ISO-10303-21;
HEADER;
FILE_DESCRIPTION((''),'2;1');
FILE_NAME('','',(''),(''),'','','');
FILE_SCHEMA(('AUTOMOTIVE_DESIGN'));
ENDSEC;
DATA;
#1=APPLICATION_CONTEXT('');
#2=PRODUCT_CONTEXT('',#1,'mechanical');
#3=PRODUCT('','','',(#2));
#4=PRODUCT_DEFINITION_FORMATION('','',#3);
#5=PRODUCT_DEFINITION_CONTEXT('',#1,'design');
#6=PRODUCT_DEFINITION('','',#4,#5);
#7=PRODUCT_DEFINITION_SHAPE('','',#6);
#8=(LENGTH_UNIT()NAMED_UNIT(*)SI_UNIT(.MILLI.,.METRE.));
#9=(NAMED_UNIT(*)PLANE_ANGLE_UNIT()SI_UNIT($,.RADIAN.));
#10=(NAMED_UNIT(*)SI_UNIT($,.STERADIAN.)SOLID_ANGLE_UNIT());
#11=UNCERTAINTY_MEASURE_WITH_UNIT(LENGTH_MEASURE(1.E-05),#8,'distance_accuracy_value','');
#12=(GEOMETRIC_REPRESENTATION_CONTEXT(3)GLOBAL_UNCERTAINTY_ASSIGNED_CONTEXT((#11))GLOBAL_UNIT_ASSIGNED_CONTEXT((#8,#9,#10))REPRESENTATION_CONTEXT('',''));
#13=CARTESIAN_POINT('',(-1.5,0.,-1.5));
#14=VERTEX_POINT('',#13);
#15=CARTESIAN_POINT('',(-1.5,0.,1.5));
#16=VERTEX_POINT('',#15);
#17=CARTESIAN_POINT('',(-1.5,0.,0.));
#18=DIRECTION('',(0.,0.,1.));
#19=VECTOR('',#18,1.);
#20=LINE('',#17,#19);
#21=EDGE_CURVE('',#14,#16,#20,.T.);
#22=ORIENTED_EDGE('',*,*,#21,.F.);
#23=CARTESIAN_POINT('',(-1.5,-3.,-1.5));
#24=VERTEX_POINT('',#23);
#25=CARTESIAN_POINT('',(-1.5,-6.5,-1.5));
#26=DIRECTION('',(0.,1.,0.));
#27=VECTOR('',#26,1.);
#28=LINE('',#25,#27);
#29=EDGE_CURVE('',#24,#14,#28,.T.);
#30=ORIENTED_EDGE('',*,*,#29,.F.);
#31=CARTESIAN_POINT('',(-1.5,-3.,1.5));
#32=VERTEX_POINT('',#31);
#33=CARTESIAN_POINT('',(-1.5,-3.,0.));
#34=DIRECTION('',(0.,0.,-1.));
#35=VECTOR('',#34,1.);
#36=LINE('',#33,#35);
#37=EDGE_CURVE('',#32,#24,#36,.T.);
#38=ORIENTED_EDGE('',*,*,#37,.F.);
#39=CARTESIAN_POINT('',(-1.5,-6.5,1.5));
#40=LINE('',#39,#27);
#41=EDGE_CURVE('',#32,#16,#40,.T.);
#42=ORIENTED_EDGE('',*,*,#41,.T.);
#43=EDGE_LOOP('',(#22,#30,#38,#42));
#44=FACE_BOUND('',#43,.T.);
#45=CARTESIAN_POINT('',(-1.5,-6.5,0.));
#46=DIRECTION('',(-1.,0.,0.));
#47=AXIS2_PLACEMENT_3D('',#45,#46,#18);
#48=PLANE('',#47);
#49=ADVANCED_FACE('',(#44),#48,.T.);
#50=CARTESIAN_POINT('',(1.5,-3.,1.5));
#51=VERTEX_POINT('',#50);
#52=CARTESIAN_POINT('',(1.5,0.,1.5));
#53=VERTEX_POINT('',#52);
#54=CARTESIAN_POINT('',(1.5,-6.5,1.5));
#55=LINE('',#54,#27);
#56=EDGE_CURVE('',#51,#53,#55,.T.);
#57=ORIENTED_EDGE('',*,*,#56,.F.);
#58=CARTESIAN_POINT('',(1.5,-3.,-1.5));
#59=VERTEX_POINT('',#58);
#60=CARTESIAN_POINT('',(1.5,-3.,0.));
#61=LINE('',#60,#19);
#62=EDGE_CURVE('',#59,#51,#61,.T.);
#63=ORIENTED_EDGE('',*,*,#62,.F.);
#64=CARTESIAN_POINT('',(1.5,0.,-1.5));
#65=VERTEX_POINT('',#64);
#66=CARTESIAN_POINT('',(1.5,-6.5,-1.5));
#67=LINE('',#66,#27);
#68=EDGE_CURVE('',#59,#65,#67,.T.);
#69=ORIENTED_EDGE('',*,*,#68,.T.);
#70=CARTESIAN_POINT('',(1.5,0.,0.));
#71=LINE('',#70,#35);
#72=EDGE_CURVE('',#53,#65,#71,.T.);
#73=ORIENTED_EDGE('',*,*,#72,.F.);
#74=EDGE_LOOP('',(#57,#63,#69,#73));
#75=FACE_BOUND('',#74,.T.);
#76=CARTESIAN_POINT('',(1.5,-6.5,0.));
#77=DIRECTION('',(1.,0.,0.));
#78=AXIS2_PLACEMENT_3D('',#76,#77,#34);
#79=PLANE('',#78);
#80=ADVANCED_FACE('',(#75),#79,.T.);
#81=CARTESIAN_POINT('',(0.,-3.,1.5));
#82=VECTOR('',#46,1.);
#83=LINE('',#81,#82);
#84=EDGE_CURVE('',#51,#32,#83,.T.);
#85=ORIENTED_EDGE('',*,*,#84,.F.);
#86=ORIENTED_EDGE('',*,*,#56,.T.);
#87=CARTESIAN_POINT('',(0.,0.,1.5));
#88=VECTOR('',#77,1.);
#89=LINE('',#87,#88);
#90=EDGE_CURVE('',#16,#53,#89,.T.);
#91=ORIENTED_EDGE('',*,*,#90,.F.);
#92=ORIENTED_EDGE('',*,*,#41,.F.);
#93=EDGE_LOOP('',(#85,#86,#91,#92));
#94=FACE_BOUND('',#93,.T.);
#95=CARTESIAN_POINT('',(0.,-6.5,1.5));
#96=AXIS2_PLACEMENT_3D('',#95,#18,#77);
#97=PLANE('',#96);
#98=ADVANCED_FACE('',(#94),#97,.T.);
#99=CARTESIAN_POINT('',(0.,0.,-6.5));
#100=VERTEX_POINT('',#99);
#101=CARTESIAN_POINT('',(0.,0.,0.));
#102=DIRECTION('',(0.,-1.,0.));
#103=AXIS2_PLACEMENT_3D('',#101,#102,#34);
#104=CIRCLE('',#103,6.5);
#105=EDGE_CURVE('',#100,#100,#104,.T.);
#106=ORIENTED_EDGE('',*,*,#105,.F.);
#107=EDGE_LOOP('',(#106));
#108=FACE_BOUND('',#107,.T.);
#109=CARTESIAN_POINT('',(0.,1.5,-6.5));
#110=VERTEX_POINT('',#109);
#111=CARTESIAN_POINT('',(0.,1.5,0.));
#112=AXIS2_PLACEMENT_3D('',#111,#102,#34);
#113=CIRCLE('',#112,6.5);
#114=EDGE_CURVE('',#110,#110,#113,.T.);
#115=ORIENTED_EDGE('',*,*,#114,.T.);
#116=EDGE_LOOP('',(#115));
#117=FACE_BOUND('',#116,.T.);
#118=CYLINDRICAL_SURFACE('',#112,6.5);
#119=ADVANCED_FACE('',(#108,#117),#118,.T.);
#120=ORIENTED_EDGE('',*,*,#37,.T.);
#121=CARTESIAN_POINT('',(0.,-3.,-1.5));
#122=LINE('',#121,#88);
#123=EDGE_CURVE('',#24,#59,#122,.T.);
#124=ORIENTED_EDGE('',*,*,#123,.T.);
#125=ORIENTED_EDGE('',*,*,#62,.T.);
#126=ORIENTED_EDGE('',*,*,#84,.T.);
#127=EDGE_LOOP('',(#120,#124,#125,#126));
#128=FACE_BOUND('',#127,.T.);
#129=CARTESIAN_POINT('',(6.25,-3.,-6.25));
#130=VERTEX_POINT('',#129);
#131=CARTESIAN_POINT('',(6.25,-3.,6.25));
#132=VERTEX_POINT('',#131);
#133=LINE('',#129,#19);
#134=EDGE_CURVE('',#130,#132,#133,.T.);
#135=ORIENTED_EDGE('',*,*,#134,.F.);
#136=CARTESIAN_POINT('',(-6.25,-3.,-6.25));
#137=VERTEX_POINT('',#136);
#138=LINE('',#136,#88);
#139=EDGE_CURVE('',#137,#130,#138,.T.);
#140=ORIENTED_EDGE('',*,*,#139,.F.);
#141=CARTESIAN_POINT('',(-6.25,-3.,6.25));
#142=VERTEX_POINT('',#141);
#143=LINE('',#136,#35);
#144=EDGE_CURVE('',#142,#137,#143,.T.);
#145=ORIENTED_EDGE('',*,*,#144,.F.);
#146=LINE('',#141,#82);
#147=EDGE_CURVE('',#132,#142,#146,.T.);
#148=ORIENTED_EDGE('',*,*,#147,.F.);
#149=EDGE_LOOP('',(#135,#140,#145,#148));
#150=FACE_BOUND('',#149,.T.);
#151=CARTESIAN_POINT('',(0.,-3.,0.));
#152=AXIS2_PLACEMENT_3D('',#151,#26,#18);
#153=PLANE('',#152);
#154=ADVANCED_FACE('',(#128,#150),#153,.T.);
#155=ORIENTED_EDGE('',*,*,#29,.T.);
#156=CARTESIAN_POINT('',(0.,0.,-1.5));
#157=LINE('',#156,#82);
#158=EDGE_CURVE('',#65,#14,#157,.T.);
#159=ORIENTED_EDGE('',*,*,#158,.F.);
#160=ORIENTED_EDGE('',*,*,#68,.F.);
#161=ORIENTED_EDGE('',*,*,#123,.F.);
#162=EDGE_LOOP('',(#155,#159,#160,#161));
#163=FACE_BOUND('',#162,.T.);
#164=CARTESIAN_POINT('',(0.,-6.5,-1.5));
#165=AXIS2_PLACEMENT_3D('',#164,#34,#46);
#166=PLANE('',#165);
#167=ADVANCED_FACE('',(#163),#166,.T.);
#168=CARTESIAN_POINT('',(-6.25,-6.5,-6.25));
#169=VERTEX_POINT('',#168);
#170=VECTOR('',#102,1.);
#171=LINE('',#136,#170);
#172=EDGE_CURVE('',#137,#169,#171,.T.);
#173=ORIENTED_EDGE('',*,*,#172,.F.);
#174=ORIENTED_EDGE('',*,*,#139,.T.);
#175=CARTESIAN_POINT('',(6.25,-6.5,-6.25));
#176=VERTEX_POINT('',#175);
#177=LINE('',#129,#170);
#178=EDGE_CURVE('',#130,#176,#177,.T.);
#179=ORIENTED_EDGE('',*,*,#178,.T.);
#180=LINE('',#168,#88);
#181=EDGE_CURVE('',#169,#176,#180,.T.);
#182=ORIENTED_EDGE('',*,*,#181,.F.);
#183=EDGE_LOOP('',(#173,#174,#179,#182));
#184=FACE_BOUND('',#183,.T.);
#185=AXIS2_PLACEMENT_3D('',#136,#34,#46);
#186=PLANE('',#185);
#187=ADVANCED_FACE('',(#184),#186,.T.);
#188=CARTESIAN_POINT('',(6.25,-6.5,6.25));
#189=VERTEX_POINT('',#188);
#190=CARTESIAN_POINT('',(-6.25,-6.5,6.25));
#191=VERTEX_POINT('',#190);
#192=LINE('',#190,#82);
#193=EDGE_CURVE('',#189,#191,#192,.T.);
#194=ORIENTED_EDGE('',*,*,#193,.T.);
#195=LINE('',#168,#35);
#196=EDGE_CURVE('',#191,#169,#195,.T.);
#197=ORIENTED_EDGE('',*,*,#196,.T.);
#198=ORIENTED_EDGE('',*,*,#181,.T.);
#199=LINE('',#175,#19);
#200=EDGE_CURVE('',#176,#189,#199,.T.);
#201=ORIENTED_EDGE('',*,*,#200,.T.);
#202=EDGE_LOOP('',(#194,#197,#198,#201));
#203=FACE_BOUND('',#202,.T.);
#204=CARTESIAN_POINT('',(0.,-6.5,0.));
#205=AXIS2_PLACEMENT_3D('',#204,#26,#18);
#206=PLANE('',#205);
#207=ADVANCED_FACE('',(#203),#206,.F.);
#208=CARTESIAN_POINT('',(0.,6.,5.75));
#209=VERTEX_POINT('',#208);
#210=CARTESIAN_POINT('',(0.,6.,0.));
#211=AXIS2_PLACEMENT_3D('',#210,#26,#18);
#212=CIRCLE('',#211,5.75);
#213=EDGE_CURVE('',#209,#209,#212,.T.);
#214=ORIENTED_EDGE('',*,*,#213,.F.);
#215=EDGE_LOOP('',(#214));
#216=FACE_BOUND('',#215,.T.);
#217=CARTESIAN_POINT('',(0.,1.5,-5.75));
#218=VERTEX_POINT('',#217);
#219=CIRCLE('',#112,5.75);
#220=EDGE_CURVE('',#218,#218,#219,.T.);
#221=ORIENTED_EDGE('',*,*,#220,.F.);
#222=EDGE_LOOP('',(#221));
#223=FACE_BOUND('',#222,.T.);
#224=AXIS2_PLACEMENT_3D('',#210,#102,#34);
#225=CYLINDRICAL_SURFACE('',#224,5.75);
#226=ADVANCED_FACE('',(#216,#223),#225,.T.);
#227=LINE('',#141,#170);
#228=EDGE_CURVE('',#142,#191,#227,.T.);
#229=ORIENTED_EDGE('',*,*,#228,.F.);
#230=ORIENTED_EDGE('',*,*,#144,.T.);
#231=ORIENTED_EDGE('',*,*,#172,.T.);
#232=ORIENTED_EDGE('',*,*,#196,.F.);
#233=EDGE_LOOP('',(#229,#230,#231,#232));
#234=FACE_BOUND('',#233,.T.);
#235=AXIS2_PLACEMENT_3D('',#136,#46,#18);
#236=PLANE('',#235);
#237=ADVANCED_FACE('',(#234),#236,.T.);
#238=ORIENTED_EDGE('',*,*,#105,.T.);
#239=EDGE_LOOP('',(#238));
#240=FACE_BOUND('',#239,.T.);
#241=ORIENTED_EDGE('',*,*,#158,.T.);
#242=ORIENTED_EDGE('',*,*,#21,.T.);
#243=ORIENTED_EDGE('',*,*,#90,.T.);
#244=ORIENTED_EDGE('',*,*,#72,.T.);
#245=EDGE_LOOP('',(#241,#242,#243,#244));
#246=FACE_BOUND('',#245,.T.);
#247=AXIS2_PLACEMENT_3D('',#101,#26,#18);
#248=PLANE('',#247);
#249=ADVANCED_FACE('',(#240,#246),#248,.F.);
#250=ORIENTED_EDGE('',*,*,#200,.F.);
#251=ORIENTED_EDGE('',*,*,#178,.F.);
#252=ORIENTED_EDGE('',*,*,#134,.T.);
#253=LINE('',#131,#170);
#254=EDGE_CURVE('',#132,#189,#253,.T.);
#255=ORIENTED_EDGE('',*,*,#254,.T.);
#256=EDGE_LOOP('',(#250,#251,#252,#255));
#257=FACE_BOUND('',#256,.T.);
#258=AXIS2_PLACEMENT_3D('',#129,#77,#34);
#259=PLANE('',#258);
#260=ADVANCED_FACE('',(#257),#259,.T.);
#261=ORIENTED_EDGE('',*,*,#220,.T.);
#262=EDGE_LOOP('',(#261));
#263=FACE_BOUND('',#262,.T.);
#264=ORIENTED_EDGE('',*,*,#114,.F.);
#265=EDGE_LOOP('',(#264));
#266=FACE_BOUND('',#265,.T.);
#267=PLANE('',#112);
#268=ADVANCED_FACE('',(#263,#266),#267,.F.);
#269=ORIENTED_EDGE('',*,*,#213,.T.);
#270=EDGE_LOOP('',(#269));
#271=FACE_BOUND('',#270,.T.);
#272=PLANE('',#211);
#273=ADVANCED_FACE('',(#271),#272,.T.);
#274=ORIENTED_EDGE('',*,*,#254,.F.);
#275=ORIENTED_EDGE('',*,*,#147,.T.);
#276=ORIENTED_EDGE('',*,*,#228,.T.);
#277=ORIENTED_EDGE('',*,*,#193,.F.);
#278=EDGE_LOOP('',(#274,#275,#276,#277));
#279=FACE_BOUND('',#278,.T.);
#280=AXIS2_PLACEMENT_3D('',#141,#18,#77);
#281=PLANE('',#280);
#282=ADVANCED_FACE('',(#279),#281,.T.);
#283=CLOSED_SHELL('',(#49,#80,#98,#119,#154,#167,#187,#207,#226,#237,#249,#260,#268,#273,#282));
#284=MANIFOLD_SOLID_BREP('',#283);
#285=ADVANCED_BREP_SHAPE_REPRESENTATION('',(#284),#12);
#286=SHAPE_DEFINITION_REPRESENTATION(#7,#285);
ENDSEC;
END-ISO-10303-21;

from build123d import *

# Parameters (mm, degrees)
SKETCH_1_R      = 5.75
EXTRUDE_1_DEPTH = 6
SKETCH_2_R      = 6.5
EXTRUDE_2_DEPTH = 1.5
EXTRUDE_START   = -6
SKETCH_3_W      = 3
SKETCH_3_H      = 3
EXTRUDE_3_DEPTH = 12.5
SKETCH_4_W      = 12.5
SKETCH_4_H      = 12.5
EXTRUDE_4_DEPTH = 3.5


with BuildPart() as part:
    # Эскиз1 → Бобышка-Вытянуть1 (new body)
    with BuildSketch(Plane(origin=(0, 0, 0), x_dir=(1, 0, 0), z_dir=(0, 1, 0))):
        Circle(SKETCH_1_R)
    extrude(amount=EXTRUDE_1_DEPTH)

    # Эскиз2 → Бобышка-Вытянуть2 (add)
    with BuildSketch(Plane.XZ):
        Circle(SKETCH_2_R)
    extrude(amount=-EXTRUDE_2_DEPTH)

    # Эскиз3 → Бобышка-Вытянуть3 (add)
    with BuildSketch(Plane.XZ.offset(EXTRUDE_START)):
        Rectangle(SKETCH_3_W, SKETCH_3_H)
    extrude(amount=EXTRUDE_3_DEPTH)

    # Эскиз4 → Бобышка-Вытянуть4 (add)
    with BuildSketch(Plane.XZ.offset(6.5)):
        Rectangle(SKETCH_4_W, SKETCH_4_H)
    extrude(amount=-EXTRUDE_4_DEPTH)


solid = part.part
